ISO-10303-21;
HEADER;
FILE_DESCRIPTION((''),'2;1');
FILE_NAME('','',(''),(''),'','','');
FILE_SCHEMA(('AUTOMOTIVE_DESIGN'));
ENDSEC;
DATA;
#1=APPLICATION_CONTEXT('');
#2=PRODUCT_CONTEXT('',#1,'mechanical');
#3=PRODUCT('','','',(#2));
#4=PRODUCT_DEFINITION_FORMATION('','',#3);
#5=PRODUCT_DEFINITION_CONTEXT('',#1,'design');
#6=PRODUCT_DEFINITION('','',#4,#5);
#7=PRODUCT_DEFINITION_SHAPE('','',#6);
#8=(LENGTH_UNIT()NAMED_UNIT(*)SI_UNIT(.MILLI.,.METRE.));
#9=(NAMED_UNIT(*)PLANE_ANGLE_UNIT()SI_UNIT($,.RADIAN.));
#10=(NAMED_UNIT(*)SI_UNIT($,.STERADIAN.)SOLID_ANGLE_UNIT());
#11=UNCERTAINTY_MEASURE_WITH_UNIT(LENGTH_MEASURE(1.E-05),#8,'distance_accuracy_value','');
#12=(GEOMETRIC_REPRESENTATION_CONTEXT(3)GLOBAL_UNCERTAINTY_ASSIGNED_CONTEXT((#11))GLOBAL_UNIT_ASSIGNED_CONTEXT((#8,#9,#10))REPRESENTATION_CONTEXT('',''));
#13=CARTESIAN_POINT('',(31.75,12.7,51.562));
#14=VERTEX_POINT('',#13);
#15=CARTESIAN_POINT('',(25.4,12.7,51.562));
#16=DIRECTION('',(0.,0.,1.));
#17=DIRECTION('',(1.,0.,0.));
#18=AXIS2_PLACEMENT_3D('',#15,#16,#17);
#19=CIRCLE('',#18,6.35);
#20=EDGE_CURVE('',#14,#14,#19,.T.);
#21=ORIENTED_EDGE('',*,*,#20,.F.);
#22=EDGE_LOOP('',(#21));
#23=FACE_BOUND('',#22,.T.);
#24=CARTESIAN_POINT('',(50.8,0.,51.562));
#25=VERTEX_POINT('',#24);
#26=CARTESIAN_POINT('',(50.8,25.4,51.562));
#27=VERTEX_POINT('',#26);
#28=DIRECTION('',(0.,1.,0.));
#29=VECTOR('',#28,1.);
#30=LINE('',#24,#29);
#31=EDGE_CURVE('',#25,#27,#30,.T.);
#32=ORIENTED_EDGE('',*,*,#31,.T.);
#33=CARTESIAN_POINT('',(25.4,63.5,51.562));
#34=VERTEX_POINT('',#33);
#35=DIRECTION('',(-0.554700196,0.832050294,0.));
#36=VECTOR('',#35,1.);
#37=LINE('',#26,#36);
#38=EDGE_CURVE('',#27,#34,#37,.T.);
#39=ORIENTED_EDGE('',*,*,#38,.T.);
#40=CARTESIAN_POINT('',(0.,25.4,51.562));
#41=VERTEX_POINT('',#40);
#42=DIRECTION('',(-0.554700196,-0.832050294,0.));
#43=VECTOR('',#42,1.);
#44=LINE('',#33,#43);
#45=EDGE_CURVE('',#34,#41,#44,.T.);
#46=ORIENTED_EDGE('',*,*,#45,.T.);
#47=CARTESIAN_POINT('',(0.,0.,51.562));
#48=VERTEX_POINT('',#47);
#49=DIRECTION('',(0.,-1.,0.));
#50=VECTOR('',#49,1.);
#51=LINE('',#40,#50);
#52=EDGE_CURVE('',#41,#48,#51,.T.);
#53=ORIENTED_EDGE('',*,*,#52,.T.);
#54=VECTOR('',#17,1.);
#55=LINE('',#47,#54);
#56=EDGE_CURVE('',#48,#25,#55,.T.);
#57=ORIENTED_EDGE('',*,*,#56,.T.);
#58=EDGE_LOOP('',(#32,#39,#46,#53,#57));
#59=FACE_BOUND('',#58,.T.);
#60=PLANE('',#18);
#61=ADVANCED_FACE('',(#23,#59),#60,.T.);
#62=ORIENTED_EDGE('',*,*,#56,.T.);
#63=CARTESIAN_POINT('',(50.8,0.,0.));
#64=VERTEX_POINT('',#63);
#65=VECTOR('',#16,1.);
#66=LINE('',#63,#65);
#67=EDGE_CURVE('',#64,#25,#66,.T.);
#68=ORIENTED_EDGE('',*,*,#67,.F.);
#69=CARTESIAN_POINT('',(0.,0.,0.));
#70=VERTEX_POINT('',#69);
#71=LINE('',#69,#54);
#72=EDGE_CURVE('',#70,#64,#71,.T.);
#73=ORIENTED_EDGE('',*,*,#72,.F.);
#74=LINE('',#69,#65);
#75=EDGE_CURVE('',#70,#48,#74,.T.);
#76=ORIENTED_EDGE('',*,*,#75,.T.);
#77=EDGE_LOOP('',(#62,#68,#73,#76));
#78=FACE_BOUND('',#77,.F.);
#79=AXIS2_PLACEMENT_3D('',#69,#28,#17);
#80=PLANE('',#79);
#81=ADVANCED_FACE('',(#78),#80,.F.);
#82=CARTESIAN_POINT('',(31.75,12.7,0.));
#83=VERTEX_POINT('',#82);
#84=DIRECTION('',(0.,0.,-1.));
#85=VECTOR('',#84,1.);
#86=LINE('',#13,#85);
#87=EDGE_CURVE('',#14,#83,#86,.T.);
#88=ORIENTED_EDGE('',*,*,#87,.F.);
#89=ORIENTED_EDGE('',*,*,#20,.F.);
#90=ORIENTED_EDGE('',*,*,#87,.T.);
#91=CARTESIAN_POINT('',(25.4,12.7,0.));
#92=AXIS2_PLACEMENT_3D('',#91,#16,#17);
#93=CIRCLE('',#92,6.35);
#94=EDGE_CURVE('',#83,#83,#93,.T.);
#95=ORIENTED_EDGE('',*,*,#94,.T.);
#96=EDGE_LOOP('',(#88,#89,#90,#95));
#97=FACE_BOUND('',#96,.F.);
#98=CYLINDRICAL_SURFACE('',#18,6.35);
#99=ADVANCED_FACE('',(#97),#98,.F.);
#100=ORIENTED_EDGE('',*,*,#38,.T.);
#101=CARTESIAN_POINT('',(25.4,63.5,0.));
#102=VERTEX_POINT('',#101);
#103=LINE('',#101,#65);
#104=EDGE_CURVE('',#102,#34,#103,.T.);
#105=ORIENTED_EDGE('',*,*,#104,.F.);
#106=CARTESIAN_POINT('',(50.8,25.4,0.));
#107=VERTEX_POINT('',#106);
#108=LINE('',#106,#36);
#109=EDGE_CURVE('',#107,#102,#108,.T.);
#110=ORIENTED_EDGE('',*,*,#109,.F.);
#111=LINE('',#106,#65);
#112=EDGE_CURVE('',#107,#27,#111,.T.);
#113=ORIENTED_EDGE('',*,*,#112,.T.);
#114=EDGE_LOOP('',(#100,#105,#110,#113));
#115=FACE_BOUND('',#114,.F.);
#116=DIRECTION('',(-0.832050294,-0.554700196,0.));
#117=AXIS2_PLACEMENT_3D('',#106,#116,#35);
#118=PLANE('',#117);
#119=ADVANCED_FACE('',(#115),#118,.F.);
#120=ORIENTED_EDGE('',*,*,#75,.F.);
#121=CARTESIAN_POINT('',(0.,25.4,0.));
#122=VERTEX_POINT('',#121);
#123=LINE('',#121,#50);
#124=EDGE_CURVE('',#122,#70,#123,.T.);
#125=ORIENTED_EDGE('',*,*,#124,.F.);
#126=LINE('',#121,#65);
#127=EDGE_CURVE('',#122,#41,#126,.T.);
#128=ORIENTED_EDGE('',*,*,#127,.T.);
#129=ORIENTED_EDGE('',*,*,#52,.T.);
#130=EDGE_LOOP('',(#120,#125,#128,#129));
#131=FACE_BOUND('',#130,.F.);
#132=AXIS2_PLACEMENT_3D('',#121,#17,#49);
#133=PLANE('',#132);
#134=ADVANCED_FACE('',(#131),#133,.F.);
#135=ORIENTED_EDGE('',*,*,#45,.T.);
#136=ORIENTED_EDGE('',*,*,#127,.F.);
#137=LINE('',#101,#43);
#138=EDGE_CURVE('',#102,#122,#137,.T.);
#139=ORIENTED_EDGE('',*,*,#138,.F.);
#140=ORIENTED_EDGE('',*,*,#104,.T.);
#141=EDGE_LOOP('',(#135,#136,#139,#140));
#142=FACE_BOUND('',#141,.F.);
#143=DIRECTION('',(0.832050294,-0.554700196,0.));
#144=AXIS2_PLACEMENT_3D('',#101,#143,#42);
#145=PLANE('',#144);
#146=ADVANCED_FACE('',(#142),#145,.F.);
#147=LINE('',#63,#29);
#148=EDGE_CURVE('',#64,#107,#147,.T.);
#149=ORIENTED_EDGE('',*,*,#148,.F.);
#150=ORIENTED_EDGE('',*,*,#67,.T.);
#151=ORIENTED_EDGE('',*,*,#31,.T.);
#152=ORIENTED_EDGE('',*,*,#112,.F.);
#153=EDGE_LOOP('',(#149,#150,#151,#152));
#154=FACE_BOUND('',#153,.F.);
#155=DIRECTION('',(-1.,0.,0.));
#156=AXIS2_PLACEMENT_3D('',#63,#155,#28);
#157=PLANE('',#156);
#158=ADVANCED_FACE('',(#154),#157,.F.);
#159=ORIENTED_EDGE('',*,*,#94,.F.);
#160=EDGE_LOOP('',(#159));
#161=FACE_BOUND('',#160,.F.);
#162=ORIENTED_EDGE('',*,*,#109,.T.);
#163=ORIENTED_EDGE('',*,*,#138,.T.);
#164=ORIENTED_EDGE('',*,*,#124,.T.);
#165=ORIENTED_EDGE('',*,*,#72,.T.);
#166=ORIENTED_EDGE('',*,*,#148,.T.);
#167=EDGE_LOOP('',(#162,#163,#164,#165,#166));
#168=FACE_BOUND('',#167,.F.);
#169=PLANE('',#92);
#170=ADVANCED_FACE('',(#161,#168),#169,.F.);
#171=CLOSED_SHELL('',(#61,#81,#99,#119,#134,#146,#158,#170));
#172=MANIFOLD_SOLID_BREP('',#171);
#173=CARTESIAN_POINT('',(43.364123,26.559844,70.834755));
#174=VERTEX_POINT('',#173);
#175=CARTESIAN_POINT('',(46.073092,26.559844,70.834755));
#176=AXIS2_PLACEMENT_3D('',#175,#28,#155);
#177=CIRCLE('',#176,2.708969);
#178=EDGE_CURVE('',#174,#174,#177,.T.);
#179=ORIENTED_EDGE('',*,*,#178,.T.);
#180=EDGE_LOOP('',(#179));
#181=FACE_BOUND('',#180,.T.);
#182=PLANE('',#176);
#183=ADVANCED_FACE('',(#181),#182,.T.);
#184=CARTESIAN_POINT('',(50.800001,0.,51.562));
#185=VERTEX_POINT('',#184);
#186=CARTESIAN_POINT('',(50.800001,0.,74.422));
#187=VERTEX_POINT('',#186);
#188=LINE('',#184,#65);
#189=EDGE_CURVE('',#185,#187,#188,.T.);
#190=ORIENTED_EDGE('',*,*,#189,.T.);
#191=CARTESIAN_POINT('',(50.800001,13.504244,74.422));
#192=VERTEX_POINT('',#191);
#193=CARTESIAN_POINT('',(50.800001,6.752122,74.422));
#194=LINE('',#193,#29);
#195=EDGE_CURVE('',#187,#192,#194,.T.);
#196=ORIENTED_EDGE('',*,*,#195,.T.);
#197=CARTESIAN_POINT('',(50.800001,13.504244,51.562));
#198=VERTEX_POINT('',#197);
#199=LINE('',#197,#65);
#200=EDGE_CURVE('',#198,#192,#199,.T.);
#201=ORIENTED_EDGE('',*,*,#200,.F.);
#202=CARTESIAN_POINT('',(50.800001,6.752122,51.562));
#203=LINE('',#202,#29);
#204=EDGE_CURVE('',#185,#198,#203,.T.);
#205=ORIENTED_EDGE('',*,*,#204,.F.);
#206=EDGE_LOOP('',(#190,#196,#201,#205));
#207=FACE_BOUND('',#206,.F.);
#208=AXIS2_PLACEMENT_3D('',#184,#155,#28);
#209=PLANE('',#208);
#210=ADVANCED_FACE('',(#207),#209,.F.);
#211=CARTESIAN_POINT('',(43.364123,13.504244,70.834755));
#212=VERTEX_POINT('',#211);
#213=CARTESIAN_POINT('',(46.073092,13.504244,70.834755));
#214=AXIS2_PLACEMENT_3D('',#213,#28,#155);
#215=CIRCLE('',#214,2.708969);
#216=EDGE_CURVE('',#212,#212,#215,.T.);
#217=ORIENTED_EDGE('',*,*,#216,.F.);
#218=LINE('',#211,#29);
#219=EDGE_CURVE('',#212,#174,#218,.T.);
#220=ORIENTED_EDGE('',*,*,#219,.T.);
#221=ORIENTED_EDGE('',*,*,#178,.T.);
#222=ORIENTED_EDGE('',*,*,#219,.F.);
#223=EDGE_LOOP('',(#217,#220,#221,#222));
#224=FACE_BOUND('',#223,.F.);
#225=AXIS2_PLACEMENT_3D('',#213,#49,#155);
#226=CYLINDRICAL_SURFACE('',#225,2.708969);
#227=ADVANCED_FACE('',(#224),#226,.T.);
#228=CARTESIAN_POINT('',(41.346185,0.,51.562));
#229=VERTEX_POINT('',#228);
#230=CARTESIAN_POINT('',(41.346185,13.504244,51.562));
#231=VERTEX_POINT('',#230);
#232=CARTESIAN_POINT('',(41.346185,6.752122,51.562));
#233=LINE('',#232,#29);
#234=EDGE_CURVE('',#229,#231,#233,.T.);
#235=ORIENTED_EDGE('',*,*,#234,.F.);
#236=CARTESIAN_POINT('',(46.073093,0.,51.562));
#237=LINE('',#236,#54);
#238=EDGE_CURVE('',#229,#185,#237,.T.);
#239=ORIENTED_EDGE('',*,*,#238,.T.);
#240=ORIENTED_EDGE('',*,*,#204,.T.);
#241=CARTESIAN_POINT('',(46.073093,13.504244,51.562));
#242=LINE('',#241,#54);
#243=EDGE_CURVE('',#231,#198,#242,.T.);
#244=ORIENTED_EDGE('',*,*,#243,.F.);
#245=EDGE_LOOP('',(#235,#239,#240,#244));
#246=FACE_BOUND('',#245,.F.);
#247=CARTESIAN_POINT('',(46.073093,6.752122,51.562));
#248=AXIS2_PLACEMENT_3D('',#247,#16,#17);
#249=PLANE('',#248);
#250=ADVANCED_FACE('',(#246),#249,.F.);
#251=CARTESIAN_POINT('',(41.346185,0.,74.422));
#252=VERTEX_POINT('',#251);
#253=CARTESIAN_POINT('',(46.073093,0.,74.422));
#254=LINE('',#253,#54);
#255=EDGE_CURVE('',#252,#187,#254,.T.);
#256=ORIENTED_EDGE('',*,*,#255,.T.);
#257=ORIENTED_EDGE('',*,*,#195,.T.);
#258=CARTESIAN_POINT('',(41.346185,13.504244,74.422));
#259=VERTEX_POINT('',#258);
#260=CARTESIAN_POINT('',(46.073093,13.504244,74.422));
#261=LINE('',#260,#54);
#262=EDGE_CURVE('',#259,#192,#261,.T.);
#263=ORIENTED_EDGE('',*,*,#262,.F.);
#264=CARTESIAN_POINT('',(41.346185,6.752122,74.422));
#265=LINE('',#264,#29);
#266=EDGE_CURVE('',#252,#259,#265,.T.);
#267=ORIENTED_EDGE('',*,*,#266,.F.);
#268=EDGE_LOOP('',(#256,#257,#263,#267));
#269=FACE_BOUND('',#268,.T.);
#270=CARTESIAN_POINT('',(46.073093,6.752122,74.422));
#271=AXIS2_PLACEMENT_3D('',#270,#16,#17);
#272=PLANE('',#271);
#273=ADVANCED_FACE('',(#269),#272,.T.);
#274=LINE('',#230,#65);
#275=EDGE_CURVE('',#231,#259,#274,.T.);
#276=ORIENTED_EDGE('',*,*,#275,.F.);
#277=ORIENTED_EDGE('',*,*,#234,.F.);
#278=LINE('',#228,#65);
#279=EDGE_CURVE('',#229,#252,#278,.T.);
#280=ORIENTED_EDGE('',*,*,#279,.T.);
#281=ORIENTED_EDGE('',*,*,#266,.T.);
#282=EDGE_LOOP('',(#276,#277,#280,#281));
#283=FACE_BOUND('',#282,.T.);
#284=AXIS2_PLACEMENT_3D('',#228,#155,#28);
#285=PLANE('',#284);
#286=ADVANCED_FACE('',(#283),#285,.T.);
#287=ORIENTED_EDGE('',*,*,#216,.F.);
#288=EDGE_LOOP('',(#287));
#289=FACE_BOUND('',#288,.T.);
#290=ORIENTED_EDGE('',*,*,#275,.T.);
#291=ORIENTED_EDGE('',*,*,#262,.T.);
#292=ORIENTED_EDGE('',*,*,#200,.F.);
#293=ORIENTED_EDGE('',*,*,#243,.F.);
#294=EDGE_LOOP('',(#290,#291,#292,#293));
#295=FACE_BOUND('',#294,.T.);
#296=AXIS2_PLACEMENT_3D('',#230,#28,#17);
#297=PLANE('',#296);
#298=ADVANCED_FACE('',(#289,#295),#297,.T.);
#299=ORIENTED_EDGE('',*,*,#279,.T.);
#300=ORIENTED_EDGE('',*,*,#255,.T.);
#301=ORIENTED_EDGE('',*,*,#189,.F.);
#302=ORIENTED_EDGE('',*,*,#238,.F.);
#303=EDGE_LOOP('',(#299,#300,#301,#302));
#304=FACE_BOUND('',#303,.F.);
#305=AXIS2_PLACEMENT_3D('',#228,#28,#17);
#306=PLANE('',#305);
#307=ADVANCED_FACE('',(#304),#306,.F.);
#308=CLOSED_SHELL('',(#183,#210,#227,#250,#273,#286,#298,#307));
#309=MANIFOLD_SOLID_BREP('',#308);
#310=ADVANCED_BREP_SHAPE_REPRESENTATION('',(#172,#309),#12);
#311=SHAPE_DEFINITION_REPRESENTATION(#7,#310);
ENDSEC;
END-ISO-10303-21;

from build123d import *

# Parameters (mm, degrees)
F1_DEPTH = 51.562
F2_R     = 6.35
F3_DEPTH = 51.563
F4_W     = 9.453815
F4_H     = 13.504244
F5_DEPTH = 22.86
F6_R     = 2.708969
F7_DEPTH = 13.0556


with BuildPart() as f1:
    # F0 (on Top) → F1 (new body)
    with BuildSketch(Plane.XY):
        Polygon((0, 25.4), (0, 0), (50.8, 0), (50.8, 25.4), (25.4, 25.4), align=None)
        Polygon((25.4, 63.5), (0, 25.4), (25.4, 25.4), align=None)
        Polygon((25.4, 25.4), (50.8, 25.4), (25.4, 63.5), align=None)
    extrude(amount=F1_DEPTH)

    # F2 (on face) → F3 (cut, through all)
    with BuildSketch(Plane.XY.offset(51.562)):
        with Locations((25.4, 12.7)):
            Circle(F2_R)
    extrude(amount=-F3_DEPTH, mode=Mode.SUBTRACT)


with BuildPart() as f5:
    # F4 (on face) → F5 (new body)
    with BuildSketch(Plane.XY.offset(51.562)):
        with Locations((46.073093, 6.752122)):
            Rectangle(F4_W, F4_H)
    extrude(amount=F5_DEPTH)

    # F6 (on face) → F7 (join)
    with BuildSketch(Plane(origin=(0, 13.504244, 0), x_dir=(-1, 0, 0), z_dir=(0, 1, 0))):
        with Locations((-46.073092, 70.834755)):
            Circle(F6_R)
    extrude(amount=F7_DEPTH)


solid = Compound([f1.part, f5.part])
